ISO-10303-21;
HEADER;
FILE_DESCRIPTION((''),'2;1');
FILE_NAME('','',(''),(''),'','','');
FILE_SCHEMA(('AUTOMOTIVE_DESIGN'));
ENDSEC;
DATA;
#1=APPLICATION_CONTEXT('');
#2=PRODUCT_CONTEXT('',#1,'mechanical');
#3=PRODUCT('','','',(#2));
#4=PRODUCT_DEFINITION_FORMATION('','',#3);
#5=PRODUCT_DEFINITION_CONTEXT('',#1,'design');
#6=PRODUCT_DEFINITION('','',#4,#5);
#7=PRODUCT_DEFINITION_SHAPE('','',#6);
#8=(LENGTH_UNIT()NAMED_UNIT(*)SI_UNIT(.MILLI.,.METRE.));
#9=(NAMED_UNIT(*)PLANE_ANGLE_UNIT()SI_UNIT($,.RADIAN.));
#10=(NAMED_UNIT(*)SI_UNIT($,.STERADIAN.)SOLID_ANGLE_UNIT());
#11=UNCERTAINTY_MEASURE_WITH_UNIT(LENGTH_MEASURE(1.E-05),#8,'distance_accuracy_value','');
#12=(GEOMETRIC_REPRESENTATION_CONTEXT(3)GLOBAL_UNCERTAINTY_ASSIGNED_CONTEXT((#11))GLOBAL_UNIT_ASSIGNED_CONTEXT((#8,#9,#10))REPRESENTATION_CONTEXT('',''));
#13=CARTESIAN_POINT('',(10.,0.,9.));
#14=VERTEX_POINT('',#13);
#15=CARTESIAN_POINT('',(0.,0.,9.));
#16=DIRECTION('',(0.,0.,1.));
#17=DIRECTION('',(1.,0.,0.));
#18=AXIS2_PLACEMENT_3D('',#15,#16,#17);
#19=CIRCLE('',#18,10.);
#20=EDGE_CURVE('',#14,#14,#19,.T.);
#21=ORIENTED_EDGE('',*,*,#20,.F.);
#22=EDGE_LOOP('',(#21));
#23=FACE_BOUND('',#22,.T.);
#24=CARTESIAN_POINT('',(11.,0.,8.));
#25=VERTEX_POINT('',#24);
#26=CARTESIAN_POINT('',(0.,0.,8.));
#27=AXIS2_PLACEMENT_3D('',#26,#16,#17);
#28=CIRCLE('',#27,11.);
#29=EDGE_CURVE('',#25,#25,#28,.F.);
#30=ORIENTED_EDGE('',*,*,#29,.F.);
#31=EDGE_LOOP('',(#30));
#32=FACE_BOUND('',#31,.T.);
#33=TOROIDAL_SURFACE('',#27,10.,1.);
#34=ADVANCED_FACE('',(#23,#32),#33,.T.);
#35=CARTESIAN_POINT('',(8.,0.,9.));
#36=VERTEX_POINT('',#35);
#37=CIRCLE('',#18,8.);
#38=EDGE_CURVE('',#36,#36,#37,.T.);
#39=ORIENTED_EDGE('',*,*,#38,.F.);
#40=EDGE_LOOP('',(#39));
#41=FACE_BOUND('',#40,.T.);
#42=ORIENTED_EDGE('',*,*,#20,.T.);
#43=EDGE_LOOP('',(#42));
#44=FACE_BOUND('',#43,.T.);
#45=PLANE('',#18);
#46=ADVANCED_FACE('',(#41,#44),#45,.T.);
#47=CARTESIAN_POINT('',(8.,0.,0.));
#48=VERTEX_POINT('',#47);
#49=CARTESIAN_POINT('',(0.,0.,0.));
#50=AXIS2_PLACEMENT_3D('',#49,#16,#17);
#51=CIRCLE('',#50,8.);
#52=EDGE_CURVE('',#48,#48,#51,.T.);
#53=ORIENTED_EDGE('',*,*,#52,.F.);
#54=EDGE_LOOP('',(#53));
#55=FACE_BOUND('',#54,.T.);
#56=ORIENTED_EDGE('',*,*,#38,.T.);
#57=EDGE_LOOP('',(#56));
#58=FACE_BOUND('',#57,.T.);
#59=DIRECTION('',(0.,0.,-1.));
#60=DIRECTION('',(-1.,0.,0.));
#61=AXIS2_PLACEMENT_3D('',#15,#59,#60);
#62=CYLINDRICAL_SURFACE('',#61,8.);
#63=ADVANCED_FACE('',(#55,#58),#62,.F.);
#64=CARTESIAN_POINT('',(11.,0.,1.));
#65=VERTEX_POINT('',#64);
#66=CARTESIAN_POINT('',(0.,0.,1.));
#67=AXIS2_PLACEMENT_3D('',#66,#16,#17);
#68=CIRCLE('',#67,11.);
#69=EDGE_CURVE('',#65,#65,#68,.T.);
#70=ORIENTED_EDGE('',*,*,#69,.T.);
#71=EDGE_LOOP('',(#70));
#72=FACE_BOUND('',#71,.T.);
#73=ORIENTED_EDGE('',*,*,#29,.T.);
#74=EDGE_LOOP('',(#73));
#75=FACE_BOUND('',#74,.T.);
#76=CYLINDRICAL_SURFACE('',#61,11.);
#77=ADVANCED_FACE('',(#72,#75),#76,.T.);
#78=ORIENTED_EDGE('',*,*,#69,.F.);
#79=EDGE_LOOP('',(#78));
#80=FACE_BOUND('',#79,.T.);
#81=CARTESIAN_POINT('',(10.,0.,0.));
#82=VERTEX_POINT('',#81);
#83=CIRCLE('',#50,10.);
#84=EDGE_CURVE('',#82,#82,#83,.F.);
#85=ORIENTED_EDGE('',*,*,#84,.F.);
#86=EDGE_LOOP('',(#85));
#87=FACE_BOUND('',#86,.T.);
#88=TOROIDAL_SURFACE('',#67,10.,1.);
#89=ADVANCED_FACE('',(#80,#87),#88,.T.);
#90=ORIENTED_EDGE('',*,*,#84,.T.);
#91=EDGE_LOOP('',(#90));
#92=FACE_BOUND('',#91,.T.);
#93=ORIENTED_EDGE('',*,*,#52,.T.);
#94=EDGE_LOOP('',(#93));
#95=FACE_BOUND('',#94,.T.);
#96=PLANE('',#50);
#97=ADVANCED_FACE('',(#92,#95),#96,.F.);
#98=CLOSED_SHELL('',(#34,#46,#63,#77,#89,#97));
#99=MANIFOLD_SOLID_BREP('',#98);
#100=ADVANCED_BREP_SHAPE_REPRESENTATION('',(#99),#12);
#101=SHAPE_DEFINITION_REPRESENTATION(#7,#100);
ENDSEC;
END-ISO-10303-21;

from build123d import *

# Parameters (mm, degrees)
SKETCH1_R           = 11
SKETCH1_R_2         = 8
BOSS_EXTRUDE1_DEPTH = 9
FILLET1_R           = 1


with BuildPart() as part:
    # Sketch1 → Boss-Extrude1 (new body)
    with BuildSketch(Plane.XY):
        Circle(SKETCH1_R)
        Circle(SKETCH1_R_2, mode=Mode.SUBTRACT)
    extrude(amount=BOSS_EXTRUDE1_DEPTH)

    # Fillet1
    fillet1_edges = [part.edges().sort_by_distance(p)[0] for p in [
        (-11, 0, 0),
        (-11, 0, 9),
    ]]
    fillet(fillet1_edges, radius=FILLET1_R)


solid = part.part
